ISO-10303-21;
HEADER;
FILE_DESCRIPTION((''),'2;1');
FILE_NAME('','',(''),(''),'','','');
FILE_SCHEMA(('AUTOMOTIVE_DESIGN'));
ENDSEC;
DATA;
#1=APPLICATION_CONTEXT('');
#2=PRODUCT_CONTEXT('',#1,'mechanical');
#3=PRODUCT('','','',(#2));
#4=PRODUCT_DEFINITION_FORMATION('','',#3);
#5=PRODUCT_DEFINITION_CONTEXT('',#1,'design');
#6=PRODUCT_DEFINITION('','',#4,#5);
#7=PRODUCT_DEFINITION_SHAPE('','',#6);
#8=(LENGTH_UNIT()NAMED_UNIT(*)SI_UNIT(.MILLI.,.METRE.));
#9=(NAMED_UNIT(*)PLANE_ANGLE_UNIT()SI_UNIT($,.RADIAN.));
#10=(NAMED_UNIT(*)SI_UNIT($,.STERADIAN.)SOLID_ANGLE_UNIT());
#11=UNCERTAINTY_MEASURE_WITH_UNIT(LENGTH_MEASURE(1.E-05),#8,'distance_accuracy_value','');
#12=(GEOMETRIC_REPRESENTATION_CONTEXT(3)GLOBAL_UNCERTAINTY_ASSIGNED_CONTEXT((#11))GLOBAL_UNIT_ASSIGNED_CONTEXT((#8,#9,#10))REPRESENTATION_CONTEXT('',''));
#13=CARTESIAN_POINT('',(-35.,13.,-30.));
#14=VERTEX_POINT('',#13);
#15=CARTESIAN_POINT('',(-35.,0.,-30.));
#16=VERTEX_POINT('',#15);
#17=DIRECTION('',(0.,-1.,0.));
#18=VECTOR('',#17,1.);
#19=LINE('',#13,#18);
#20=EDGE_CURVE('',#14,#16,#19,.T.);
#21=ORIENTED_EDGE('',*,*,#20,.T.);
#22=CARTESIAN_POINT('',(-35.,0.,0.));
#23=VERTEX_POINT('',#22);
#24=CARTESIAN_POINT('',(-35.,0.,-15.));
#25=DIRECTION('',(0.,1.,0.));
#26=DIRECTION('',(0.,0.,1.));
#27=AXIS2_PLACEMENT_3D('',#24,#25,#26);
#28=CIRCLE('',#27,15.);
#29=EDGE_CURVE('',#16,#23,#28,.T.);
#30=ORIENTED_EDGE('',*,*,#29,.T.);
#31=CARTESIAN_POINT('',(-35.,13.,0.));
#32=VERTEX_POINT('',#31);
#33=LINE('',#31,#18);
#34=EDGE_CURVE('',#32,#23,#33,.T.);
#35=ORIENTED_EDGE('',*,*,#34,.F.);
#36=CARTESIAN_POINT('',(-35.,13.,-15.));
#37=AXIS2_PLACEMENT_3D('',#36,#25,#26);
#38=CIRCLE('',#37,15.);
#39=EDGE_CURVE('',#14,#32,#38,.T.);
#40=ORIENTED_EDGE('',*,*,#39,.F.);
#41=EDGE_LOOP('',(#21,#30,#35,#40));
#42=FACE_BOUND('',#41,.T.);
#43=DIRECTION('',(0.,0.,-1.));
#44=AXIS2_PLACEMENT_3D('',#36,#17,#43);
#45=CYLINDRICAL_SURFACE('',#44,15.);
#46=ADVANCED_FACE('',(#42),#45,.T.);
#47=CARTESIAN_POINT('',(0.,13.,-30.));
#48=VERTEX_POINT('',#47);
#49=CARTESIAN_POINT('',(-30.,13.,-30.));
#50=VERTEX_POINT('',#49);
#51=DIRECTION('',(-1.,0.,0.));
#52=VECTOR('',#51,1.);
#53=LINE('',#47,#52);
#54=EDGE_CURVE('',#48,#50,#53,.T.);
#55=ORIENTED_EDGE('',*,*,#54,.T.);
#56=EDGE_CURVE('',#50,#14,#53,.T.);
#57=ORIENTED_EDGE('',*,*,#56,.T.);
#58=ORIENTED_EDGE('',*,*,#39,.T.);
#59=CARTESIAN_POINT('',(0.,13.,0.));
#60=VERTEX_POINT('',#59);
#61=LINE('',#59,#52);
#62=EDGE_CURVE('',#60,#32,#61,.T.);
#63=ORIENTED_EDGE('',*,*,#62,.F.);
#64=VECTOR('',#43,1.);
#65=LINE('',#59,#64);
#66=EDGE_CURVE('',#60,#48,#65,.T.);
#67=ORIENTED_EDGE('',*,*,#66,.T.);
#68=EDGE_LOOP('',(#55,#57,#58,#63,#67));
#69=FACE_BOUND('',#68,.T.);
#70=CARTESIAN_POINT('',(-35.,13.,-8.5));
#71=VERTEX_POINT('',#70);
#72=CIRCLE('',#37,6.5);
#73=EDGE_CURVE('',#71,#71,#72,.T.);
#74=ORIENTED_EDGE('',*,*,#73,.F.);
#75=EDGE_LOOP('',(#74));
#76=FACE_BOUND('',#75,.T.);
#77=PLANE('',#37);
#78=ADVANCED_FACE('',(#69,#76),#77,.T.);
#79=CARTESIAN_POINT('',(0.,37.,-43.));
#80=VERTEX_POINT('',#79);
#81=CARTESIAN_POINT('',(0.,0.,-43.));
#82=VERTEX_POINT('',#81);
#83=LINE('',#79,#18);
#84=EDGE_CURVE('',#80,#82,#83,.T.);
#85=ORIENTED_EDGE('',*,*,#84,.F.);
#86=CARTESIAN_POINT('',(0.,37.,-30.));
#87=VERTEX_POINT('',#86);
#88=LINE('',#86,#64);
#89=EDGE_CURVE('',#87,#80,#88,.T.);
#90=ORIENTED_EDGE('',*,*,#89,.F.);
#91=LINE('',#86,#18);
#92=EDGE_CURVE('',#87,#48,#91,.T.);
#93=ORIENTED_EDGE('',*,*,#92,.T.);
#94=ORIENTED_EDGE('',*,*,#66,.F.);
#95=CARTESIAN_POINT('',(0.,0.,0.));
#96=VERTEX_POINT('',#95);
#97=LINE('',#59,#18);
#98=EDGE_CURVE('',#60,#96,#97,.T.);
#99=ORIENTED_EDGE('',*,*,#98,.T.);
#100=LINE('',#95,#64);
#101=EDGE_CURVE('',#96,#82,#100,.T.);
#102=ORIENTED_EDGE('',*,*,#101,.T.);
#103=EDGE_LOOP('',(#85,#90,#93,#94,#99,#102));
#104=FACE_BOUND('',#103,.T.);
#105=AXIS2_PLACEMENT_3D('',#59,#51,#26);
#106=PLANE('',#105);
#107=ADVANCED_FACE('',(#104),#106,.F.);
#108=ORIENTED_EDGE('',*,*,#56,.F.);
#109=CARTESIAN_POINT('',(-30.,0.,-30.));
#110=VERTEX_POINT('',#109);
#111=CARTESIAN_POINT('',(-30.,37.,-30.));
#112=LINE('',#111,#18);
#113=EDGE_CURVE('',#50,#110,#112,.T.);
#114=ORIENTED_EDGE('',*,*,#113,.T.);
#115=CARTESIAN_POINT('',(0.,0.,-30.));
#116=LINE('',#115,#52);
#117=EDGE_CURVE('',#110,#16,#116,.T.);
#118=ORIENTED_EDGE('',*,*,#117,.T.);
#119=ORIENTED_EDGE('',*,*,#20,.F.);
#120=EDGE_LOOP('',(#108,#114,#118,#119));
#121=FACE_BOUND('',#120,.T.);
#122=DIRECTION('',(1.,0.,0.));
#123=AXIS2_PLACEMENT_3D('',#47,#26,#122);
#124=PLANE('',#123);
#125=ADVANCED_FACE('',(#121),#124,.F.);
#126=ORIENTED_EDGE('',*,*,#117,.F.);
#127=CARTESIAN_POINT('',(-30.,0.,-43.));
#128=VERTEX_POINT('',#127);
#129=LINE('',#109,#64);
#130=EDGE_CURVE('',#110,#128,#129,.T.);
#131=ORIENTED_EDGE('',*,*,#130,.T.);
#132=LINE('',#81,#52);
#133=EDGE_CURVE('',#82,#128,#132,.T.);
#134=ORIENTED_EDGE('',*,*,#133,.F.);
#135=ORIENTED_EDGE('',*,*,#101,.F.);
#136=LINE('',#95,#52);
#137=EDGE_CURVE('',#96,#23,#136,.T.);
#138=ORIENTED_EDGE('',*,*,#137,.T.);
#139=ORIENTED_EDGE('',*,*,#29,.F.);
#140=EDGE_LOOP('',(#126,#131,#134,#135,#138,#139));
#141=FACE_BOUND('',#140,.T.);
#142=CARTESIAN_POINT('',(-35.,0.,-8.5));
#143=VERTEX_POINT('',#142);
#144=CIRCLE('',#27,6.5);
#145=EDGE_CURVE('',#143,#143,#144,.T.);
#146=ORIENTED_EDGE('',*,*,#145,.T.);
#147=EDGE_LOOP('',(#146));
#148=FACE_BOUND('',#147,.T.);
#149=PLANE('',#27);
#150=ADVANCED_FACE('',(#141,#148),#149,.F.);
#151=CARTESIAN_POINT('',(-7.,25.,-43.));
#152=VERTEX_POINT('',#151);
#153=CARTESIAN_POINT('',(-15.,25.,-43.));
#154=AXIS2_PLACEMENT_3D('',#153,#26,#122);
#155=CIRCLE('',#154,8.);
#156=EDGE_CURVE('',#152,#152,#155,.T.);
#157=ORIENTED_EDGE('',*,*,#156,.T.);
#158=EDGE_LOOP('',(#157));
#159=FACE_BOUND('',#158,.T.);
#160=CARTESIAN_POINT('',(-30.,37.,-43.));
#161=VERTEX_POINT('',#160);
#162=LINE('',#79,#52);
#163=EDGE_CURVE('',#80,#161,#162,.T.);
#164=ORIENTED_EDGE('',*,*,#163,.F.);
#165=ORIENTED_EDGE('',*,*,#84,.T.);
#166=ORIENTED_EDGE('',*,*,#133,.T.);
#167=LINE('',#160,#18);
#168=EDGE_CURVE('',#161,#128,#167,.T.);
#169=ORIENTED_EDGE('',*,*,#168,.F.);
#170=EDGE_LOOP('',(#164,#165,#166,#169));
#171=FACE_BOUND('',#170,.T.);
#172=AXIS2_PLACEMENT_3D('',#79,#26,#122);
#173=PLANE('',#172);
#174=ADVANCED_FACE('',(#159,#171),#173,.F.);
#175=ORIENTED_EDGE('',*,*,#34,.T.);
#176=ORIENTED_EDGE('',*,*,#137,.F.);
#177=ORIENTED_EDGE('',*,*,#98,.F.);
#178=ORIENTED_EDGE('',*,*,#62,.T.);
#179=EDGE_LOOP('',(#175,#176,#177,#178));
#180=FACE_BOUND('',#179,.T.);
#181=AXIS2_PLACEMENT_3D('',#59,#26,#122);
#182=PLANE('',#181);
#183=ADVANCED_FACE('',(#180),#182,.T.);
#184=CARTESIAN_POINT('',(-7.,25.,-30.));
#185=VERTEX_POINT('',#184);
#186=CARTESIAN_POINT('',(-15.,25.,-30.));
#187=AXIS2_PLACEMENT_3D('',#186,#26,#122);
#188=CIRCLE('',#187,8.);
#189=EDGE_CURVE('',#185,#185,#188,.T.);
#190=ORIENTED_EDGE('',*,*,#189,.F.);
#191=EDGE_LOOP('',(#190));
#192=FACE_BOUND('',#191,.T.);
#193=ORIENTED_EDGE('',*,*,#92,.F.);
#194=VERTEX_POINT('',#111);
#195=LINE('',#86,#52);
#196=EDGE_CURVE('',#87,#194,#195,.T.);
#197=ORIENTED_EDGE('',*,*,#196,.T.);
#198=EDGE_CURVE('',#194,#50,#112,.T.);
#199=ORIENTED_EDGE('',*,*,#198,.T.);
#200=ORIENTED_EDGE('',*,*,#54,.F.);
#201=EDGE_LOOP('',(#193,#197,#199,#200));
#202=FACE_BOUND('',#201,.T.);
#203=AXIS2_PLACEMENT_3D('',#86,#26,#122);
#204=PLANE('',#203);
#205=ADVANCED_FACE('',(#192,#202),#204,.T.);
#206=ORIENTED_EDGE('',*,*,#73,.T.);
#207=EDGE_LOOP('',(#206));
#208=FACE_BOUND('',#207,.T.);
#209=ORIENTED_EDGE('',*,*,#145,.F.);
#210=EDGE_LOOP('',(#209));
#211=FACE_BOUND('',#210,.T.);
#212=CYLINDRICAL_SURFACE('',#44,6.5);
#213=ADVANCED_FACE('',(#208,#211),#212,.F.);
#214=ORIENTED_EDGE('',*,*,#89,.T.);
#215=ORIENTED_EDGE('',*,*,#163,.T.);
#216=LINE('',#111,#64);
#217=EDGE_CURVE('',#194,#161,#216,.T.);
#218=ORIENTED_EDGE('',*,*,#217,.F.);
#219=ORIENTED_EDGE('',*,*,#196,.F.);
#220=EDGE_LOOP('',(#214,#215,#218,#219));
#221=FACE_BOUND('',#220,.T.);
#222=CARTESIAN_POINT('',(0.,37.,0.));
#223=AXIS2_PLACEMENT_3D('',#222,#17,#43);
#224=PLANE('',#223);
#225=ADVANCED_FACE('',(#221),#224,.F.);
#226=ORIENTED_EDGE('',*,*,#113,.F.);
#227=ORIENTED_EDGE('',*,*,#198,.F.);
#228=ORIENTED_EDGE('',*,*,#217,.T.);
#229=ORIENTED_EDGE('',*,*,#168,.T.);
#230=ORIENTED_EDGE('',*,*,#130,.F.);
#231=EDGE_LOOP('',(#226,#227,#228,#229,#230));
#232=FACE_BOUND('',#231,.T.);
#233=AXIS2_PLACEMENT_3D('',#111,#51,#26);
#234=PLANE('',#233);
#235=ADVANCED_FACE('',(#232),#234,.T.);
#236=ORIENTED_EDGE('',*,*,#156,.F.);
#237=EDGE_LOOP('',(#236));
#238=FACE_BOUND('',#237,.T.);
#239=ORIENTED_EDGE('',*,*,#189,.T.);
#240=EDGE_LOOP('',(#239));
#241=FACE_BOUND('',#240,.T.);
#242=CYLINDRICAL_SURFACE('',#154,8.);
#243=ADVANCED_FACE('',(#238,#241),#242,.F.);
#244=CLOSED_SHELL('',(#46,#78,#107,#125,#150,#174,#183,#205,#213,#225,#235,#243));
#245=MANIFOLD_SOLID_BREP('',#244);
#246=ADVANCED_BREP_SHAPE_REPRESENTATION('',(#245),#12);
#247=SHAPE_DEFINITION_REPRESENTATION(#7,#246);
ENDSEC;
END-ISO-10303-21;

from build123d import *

# Parameters (mm, degrees)
SKETCH1_R           = 6.5
BOSS_EXTRUDE1_DEPTH = 13
SKETCH2_W           = 30
SKETCH2_H           = 13
BOSS_EXTRUDE2_DEPTH = 37
SKETCH3_R           = 8
CUT_EXTRUDE1_DEPTH  = 43


with BuildPart() as part:
    # Sketch1 → Boss-Extrude1 (new body)
    with BuildSketch(Plane(origin=(0, 0, 0), x_dir=(1, 0, 0), z_dir=(0, 1, 0))):
        with BuildLine():
            Line((0, 0), (-35, 0))
            ThreePointArc((-35, 0), (-50, 15), (-35, 30))
            Line((-35, 30), (0, 30))
            Line((0, 30), (0, 0))
        make_face()
        with Locations((-35, 15)):
            Circle(SKETCH1_R, mode=Mode.SUBTRACT)
    extrude(amount=BOSS_EXTRUDE1_DEPTH)

    # Sketch2 → Boss-Extrude2 (add)
    with BuildSketch(Plane(origin=(0, 0, 0), x_dir=(1, 0, 0), z_dir=(0, 1, 0))):
        with Locations((-15, 36.5)):
            Rectangle(SKETCH2_W, SKETCH2_H)
    extrude(amount=BOSS_EXTRUDE2_DEPTH)

    # Sketch3 → Cut-Extrude1 (cut)
    with BuildSketch(Plane.XY):
        with Locations((-15, 25)):
            Circle(SKETCH3_R)
    extrude(amount=-CUT_EXTRUDE1_DEPTH, mode=Mode.SUBTRACT)


solid = part.part
